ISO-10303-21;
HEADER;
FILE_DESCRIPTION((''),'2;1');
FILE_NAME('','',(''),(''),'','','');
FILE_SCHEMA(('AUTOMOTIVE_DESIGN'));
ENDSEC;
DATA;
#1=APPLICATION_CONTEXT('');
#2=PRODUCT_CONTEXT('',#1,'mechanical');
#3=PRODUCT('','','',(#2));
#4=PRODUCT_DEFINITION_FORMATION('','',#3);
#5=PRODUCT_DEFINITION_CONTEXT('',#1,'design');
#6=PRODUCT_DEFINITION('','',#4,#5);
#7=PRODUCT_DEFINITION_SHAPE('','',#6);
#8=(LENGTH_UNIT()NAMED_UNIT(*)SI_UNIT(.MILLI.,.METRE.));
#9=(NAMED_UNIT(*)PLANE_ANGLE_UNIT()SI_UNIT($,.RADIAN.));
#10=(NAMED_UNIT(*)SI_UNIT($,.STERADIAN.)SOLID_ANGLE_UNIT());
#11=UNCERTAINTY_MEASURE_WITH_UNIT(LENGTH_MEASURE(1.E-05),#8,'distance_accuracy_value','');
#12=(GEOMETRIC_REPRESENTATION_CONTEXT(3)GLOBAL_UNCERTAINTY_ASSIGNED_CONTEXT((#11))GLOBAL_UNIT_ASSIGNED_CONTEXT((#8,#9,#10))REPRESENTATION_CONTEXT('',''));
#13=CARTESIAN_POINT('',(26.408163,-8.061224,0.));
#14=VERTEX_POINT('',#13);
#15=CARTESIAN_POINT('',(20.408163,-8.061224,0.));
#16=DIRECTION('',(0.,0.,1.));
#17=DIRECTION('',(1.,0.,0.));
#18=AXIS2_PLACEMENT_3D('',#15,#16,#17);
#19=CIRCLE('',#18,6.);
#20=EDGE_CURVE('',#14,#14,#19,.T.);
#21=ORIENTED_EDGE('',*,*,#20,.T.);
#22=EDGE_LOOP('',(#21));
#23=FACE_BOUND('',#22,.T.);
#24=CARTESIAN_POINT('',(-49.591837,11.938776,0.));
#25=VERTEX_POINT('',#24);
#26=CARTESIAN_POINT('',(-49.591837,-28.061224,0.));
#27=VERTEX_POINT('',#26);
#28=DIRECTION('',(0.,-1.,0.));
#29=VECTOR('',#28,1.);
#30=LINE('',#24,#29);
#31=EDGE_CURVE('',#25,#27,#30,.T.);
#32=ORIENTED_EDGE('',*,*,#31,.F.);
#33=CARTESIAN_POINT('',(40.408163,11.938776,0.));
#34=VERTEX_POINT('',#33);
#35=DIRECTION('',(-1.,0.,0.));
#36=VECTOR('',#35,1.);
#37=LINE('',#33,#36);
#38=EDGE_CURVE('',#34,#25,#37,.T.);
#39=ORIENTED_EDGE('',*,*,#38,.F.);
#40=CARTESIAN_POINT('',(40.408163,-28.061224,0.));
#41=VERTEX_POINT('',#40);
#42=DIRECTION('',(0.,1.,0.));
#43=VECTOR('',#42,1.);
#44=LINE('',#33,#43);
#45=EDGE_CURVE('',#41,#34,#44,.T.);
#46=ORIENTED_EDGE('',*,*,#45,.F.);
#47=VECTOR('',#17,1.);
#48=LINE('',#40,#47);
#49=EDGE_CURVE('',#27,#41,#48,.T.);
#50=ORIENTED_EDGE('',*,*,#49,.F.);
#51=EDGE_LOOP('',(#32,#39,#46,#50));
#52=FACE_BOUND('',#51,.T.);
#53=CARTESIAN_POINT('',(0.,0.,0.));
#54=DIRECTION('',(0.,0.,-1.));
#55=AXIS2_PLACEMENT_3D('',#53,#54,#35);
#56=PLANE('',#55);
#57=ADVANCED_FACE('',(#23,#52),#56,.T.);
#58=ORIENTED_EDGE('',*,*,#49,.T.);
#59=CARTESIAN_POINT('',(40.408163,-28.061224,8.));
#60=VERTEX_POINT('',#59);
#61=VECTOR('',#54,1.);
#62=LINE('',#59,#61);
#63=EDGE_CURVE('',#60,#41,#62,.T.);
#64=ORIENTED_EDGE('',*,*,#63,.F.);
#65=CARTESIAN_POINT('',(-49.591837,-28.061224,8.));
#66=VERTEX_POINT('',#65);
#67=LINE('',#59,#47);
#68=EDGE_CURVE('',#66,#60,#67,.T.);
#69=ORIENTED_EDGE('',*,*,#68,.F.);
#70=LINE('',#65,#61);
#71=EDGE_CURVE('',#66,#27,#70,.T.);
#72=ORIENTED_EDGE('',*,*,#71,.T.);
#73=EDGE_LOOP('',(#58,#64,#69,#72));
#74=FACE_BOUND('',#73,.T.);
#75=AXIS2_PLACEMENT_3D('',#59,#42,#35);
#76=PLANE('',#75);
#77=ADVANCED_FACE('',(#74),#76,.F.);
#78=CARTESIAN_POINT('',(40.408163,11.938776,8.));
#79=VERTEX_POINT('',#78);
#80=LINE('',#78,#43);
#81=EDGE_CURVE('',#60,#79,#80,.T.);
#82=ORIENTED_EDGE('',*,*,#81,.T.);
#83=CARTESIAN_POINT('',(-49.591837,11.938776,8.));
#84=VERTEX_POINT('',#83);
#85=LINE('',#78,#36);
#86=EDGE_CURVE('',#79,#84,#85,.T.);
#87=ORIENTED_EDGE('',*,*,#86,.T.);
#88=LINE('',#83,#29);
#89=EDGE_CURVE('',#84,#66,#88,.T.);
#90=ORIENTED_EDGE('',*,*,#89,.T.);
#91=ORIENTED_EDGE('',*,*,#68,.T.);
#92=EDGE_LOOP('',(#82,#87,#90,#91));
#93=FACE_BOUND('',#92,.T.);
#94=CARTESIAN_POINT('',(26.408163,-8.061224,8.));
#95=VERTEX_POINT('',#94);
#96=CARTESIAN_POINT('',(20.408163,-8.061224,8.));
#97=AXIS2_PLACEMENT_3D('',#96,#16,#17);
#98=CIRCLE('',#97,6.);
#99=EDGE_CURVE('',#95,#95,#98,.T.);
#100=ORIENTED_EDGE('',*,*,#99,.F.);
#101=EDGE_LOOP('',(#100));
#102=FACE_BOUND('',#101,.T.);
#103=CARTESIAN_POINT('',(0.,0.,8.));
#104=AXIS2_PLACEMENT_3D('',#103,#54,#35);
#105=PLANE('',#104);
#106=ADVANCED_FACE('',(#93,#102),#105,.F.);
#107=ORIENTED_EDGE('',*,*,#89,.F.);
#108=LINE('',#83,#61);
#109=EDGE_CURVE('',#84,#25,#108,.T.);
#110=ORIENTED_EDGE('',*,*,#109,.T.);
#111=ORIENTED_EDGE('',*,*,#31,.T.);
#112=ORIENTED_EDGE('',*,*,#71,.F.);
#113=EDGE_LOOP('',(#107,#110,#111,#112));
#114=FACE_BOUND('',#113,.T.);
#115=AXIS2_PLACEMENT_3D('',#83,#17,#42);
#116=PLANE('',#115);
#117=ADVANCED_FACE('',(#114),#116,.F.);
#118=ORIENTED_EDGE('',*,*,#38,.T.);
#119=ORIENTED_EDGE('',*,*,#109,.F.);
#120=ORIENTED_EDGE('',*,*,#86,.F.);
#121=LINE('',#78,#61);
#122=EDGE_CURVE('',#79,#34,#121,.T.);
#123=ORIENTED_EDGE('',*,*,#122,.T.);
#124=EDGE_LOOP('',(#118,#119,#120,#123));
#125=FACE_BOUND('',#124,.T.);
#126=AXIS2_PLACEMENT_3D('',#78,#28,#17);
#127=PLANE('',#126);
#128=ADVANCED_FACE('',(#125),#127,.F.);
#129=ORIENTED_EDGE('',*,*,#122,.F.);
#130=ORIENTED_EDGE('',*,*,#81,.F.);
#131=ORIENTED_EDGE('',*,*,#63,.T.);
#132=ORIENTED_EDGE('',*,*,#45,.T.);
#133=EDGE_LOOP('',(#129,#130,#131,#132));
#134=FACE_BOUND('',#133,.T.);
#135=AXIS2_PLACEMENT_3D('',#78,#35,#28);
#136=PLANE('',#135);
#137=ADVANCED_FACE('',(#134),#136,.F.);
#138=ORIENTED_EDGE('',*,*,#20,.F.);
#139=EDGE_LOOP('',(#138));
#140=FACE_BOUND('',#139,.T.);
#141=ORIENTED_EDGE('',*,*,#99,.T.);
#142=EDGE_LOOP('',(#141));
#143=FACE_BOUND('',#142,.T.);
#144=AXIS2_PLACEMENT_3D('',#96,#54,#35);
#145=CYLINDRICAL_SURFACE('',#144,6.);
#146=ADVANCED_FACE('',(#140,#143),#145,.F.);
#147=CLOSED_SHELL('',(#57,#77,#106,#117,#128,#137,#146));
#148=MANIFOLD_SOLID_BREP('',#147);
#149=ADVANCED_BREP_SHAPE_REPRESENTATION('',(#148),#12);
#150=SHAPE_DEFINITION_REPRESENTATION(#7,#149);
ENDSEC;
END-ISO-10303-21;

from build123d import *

# Parameters (mm, degrees)
SKETCH1_W           = 90
SKETCH1_H           = 40
SKETCH1_R           = 6
BOSS_EXTRUDE1_DEPTH = 8


with BuildPart() as part:
    # Sketch1 → Boss-Extrude1 (new body)
    with BuildSketch(Plane.XY):
        with Locations((-4.591836735, -8.06122449)):
            Rectangle(SKETCH1_W, SKETCH1_H)
        with Locations((20.408163265, -8.06122449)):
            Circle(SKETCH1_R, mode=Mode.SUBTRACT)
    extrude(amount=BOSS_EXTRUDE1_DEPTH)


solid = part.part
